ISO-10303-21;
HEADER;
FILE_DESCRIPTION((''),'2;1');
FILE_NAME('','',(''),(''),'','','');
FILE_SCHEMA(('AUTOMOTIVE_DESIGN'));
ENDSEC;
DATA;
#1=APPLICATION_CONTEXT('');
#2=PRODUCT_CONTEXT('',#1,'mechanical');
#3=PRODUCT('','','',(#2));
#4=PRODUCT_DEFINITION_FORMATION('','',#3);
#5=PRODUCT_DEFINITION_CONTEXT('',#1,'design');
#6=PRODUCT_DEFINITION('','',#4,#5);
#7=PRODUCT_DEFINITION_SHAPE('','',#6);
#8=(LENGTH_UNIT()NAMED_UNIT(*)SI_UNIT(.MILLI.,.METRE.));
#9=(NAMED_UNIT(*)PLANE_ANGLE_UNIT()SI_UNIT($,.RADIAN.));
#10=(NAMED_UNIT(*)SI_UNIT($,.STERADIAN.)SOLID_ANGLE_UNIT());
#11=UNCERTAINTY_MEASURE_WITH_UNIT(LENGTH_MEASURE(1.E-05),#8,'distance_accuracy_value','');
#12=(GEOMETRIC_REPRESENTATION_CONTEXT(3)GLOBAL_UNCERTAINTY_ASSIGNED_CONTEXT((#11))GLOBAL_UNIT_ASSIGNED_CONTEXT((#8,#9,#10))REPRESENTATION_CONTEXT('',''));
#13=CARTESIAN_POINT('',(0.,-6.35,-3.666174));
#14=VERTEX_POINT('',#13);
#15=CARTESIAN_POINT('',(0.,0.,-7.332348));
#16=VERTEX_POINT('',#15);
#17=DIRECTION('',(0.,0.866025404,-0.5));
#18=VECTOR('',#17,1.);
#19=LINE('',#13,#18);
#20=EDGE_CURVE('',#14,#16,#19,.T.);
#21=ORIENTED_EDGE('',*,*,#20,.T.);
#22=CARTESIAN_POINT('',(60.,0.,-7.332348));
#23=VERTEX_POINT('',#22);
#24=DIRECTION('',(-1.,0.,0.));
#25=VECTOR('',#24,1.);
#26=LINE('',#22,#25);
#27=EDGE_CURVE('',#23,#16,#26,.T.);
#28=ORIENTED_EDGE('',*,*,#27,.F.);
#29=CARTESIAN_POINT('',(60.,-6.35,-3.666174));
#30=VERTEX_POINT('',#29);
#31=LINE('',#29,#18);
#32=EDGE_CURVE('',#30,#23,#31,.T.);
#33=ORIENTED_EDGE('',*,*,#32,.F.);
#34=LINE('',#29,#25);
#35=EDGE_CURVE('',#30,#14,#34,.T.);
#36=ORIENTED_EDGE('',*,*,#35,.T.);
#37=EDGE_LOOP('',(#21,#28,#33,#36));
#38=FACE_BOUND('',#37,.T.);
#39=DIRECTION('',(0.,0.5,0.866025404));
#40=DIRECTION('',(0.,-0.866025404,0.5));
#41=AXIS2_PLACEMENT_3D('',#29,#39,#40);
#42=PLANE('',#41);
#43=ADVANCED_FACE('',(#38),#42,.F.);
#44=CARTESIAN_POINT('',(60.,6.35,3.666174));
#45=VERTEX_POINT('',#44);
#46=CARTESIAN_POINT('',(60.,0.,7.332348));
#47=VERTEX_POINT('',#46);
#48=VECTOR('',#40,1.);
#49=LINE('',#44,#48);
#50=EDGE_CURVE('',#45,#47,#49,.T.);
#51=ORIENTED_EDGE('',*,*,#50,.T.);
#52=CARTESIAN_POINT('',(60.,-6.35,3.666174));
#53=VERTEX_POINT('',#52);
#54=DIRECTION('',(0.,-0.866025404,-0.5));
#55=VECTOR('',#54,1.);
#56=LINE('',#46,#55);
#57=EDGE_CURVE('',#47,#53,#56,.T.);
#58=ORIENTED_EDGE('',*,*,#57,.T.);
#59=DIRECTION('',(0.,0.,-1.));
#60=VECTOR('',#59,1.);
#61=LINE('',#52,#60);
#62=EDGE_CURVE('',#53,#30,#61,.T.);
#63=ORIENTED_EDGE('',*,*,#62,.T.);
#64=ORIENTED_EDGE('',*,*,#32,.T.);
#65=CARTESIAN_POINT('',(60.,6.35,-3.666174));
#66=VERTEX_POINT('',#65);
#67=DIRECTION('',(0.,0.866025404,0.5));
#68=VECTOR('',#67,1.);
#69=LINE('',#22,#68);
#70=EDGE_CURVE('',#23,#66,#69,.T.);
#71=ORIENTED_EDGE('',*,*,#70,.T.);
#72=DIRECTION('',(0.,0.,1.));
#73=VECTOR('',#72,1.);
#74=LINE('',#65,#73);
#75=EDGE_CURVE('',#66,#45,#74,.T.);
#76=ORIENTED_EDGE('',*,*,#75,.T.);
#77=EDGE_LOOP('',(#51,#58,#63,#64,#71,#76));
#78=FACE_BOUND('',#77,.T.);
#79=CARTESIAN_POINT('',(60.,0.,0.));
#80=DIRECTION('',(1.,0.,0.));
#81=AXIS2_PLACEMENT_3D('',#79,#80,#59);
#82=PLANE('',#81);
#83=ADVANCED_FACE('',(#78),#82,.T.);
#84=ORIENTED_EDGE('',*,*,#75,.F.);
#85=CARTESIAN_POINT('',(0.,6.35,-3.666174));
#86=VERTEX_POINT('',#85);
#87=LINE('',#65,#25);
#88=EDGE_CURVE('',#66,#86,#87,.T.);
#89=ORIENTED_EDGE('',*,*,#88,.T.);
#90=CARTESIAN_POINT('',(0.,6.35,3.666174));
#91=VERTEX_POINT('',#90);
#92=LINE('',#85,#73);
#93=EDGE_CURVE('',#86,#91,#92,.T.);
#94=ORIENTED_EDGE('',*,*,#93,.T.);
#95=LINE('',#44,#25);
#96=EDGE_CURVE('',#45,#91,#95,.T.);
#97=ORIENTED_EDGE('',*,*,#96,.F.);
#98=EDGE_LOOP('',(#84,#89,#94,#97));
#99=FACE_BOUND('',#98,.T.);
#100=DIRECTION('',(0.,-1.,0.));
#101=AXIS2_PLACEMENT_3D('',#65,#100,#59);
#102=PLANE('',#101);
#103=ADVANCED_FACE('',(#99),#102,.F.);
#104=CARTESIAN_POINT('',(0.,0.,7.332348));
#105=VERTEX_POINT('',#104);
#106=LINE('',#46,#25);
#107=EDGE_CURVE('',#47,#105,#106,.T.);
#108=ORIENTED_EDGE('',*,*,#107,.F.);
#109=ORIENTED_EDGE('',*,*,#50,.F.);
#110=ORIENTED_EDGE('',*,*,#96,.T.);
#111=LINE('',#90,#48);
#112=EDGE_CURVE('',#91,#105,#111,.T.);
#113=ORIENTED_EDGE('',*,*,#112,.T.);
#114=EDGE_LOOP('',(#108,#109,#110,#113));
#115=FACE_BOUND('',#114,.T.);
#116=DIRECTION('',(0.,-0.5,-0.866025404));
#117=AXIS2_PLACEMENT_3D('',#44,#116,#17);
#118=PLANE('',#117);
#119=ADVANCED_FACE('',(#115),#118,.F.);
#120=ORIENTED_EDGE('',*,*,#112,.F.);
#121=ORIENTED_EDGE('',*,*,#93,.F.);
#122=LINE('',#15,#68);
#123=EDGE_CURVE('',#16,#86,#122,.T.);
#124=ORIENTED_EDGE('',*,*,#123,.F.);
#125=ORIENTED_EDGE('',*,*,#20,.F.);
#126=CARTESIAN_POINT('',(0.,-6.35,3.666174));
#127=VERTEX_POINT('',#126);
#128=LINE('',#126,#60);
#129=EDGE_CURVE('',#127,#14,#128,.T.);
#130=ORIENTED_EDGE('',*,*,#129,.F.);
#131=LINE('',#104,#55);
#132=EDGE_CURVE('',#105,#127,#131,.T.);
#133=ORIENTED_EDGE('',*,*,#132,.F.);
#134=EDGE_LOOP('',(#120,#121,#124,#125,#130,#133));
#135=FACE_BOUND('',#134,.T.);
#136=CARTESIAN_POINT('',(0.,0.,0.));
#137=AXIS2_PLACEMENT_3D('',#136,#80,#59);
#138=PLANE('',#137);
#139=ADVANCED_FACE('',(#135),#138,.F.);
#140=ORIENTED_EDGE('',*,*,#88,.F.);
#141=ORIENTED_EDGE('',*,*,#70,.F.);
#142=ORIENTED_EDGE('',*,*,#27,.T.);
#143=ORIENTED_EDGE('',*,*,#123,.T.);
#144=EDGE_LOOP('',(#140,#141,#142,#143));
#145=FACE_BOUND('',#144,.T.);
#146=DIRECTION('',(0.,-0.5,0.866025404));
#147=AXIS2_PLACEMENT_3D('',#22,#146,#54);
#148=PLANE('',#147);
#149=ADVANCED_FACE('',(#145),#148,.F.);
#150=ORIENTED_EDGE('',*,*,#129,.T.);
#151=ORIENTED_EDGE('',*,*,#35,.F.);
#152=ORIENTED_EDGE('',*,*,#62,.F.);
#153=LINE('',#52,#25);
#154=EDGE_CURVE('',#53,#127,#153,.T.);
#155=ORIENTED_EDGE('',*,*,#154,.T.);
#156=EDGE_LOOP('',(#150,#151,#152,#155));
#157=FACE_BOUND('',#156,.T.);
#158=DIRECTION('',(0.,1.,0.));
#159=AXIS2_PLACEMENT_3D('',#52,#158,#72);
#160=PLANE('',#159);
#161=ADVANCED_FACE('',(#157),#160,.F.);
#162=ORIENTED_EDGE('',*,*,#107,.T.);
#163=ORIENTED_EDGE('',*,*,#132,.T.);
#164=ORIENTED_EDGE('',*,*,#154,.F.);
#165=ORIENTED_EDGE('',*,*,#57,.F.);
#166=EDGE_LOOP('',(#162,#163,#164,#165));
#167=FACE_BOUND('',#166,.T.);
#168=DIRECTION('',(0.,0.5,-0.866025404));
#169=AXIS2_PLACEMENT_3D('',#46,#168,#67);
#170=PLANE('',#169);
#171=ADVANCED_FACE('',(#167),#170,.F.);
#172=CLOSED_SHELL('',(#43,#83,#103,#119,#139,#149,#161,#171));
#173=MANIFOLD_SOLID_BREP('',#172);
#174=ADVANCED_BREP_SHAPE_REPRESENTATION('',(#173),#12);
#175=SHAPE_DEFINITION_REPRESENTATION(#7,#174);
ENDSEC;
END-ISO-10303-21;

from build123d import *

# Parameters (mm, degrees)
SALIENTE_EXTRUIR1_DEPTH = 60


with BuildPart() as part:
    # Croquis1 → Saliente-Extruir1 (new body)
    with BuildSketch(Plane(origin=(0, 0, 0), x_dir=(0, 0, -1), z_dir=(1, 0, 0))):
        Polygon((7.332348419, 0), (3.666174209, 6.35), (-3.666174209, 6.35), (-7.332348419, 0), (-3.666174209, -6.35), (3.666174209, -6.35), align=None)
    extrude(amount=SALIENTE_EXTRUIR1_DEPTH)


solid = part.part
